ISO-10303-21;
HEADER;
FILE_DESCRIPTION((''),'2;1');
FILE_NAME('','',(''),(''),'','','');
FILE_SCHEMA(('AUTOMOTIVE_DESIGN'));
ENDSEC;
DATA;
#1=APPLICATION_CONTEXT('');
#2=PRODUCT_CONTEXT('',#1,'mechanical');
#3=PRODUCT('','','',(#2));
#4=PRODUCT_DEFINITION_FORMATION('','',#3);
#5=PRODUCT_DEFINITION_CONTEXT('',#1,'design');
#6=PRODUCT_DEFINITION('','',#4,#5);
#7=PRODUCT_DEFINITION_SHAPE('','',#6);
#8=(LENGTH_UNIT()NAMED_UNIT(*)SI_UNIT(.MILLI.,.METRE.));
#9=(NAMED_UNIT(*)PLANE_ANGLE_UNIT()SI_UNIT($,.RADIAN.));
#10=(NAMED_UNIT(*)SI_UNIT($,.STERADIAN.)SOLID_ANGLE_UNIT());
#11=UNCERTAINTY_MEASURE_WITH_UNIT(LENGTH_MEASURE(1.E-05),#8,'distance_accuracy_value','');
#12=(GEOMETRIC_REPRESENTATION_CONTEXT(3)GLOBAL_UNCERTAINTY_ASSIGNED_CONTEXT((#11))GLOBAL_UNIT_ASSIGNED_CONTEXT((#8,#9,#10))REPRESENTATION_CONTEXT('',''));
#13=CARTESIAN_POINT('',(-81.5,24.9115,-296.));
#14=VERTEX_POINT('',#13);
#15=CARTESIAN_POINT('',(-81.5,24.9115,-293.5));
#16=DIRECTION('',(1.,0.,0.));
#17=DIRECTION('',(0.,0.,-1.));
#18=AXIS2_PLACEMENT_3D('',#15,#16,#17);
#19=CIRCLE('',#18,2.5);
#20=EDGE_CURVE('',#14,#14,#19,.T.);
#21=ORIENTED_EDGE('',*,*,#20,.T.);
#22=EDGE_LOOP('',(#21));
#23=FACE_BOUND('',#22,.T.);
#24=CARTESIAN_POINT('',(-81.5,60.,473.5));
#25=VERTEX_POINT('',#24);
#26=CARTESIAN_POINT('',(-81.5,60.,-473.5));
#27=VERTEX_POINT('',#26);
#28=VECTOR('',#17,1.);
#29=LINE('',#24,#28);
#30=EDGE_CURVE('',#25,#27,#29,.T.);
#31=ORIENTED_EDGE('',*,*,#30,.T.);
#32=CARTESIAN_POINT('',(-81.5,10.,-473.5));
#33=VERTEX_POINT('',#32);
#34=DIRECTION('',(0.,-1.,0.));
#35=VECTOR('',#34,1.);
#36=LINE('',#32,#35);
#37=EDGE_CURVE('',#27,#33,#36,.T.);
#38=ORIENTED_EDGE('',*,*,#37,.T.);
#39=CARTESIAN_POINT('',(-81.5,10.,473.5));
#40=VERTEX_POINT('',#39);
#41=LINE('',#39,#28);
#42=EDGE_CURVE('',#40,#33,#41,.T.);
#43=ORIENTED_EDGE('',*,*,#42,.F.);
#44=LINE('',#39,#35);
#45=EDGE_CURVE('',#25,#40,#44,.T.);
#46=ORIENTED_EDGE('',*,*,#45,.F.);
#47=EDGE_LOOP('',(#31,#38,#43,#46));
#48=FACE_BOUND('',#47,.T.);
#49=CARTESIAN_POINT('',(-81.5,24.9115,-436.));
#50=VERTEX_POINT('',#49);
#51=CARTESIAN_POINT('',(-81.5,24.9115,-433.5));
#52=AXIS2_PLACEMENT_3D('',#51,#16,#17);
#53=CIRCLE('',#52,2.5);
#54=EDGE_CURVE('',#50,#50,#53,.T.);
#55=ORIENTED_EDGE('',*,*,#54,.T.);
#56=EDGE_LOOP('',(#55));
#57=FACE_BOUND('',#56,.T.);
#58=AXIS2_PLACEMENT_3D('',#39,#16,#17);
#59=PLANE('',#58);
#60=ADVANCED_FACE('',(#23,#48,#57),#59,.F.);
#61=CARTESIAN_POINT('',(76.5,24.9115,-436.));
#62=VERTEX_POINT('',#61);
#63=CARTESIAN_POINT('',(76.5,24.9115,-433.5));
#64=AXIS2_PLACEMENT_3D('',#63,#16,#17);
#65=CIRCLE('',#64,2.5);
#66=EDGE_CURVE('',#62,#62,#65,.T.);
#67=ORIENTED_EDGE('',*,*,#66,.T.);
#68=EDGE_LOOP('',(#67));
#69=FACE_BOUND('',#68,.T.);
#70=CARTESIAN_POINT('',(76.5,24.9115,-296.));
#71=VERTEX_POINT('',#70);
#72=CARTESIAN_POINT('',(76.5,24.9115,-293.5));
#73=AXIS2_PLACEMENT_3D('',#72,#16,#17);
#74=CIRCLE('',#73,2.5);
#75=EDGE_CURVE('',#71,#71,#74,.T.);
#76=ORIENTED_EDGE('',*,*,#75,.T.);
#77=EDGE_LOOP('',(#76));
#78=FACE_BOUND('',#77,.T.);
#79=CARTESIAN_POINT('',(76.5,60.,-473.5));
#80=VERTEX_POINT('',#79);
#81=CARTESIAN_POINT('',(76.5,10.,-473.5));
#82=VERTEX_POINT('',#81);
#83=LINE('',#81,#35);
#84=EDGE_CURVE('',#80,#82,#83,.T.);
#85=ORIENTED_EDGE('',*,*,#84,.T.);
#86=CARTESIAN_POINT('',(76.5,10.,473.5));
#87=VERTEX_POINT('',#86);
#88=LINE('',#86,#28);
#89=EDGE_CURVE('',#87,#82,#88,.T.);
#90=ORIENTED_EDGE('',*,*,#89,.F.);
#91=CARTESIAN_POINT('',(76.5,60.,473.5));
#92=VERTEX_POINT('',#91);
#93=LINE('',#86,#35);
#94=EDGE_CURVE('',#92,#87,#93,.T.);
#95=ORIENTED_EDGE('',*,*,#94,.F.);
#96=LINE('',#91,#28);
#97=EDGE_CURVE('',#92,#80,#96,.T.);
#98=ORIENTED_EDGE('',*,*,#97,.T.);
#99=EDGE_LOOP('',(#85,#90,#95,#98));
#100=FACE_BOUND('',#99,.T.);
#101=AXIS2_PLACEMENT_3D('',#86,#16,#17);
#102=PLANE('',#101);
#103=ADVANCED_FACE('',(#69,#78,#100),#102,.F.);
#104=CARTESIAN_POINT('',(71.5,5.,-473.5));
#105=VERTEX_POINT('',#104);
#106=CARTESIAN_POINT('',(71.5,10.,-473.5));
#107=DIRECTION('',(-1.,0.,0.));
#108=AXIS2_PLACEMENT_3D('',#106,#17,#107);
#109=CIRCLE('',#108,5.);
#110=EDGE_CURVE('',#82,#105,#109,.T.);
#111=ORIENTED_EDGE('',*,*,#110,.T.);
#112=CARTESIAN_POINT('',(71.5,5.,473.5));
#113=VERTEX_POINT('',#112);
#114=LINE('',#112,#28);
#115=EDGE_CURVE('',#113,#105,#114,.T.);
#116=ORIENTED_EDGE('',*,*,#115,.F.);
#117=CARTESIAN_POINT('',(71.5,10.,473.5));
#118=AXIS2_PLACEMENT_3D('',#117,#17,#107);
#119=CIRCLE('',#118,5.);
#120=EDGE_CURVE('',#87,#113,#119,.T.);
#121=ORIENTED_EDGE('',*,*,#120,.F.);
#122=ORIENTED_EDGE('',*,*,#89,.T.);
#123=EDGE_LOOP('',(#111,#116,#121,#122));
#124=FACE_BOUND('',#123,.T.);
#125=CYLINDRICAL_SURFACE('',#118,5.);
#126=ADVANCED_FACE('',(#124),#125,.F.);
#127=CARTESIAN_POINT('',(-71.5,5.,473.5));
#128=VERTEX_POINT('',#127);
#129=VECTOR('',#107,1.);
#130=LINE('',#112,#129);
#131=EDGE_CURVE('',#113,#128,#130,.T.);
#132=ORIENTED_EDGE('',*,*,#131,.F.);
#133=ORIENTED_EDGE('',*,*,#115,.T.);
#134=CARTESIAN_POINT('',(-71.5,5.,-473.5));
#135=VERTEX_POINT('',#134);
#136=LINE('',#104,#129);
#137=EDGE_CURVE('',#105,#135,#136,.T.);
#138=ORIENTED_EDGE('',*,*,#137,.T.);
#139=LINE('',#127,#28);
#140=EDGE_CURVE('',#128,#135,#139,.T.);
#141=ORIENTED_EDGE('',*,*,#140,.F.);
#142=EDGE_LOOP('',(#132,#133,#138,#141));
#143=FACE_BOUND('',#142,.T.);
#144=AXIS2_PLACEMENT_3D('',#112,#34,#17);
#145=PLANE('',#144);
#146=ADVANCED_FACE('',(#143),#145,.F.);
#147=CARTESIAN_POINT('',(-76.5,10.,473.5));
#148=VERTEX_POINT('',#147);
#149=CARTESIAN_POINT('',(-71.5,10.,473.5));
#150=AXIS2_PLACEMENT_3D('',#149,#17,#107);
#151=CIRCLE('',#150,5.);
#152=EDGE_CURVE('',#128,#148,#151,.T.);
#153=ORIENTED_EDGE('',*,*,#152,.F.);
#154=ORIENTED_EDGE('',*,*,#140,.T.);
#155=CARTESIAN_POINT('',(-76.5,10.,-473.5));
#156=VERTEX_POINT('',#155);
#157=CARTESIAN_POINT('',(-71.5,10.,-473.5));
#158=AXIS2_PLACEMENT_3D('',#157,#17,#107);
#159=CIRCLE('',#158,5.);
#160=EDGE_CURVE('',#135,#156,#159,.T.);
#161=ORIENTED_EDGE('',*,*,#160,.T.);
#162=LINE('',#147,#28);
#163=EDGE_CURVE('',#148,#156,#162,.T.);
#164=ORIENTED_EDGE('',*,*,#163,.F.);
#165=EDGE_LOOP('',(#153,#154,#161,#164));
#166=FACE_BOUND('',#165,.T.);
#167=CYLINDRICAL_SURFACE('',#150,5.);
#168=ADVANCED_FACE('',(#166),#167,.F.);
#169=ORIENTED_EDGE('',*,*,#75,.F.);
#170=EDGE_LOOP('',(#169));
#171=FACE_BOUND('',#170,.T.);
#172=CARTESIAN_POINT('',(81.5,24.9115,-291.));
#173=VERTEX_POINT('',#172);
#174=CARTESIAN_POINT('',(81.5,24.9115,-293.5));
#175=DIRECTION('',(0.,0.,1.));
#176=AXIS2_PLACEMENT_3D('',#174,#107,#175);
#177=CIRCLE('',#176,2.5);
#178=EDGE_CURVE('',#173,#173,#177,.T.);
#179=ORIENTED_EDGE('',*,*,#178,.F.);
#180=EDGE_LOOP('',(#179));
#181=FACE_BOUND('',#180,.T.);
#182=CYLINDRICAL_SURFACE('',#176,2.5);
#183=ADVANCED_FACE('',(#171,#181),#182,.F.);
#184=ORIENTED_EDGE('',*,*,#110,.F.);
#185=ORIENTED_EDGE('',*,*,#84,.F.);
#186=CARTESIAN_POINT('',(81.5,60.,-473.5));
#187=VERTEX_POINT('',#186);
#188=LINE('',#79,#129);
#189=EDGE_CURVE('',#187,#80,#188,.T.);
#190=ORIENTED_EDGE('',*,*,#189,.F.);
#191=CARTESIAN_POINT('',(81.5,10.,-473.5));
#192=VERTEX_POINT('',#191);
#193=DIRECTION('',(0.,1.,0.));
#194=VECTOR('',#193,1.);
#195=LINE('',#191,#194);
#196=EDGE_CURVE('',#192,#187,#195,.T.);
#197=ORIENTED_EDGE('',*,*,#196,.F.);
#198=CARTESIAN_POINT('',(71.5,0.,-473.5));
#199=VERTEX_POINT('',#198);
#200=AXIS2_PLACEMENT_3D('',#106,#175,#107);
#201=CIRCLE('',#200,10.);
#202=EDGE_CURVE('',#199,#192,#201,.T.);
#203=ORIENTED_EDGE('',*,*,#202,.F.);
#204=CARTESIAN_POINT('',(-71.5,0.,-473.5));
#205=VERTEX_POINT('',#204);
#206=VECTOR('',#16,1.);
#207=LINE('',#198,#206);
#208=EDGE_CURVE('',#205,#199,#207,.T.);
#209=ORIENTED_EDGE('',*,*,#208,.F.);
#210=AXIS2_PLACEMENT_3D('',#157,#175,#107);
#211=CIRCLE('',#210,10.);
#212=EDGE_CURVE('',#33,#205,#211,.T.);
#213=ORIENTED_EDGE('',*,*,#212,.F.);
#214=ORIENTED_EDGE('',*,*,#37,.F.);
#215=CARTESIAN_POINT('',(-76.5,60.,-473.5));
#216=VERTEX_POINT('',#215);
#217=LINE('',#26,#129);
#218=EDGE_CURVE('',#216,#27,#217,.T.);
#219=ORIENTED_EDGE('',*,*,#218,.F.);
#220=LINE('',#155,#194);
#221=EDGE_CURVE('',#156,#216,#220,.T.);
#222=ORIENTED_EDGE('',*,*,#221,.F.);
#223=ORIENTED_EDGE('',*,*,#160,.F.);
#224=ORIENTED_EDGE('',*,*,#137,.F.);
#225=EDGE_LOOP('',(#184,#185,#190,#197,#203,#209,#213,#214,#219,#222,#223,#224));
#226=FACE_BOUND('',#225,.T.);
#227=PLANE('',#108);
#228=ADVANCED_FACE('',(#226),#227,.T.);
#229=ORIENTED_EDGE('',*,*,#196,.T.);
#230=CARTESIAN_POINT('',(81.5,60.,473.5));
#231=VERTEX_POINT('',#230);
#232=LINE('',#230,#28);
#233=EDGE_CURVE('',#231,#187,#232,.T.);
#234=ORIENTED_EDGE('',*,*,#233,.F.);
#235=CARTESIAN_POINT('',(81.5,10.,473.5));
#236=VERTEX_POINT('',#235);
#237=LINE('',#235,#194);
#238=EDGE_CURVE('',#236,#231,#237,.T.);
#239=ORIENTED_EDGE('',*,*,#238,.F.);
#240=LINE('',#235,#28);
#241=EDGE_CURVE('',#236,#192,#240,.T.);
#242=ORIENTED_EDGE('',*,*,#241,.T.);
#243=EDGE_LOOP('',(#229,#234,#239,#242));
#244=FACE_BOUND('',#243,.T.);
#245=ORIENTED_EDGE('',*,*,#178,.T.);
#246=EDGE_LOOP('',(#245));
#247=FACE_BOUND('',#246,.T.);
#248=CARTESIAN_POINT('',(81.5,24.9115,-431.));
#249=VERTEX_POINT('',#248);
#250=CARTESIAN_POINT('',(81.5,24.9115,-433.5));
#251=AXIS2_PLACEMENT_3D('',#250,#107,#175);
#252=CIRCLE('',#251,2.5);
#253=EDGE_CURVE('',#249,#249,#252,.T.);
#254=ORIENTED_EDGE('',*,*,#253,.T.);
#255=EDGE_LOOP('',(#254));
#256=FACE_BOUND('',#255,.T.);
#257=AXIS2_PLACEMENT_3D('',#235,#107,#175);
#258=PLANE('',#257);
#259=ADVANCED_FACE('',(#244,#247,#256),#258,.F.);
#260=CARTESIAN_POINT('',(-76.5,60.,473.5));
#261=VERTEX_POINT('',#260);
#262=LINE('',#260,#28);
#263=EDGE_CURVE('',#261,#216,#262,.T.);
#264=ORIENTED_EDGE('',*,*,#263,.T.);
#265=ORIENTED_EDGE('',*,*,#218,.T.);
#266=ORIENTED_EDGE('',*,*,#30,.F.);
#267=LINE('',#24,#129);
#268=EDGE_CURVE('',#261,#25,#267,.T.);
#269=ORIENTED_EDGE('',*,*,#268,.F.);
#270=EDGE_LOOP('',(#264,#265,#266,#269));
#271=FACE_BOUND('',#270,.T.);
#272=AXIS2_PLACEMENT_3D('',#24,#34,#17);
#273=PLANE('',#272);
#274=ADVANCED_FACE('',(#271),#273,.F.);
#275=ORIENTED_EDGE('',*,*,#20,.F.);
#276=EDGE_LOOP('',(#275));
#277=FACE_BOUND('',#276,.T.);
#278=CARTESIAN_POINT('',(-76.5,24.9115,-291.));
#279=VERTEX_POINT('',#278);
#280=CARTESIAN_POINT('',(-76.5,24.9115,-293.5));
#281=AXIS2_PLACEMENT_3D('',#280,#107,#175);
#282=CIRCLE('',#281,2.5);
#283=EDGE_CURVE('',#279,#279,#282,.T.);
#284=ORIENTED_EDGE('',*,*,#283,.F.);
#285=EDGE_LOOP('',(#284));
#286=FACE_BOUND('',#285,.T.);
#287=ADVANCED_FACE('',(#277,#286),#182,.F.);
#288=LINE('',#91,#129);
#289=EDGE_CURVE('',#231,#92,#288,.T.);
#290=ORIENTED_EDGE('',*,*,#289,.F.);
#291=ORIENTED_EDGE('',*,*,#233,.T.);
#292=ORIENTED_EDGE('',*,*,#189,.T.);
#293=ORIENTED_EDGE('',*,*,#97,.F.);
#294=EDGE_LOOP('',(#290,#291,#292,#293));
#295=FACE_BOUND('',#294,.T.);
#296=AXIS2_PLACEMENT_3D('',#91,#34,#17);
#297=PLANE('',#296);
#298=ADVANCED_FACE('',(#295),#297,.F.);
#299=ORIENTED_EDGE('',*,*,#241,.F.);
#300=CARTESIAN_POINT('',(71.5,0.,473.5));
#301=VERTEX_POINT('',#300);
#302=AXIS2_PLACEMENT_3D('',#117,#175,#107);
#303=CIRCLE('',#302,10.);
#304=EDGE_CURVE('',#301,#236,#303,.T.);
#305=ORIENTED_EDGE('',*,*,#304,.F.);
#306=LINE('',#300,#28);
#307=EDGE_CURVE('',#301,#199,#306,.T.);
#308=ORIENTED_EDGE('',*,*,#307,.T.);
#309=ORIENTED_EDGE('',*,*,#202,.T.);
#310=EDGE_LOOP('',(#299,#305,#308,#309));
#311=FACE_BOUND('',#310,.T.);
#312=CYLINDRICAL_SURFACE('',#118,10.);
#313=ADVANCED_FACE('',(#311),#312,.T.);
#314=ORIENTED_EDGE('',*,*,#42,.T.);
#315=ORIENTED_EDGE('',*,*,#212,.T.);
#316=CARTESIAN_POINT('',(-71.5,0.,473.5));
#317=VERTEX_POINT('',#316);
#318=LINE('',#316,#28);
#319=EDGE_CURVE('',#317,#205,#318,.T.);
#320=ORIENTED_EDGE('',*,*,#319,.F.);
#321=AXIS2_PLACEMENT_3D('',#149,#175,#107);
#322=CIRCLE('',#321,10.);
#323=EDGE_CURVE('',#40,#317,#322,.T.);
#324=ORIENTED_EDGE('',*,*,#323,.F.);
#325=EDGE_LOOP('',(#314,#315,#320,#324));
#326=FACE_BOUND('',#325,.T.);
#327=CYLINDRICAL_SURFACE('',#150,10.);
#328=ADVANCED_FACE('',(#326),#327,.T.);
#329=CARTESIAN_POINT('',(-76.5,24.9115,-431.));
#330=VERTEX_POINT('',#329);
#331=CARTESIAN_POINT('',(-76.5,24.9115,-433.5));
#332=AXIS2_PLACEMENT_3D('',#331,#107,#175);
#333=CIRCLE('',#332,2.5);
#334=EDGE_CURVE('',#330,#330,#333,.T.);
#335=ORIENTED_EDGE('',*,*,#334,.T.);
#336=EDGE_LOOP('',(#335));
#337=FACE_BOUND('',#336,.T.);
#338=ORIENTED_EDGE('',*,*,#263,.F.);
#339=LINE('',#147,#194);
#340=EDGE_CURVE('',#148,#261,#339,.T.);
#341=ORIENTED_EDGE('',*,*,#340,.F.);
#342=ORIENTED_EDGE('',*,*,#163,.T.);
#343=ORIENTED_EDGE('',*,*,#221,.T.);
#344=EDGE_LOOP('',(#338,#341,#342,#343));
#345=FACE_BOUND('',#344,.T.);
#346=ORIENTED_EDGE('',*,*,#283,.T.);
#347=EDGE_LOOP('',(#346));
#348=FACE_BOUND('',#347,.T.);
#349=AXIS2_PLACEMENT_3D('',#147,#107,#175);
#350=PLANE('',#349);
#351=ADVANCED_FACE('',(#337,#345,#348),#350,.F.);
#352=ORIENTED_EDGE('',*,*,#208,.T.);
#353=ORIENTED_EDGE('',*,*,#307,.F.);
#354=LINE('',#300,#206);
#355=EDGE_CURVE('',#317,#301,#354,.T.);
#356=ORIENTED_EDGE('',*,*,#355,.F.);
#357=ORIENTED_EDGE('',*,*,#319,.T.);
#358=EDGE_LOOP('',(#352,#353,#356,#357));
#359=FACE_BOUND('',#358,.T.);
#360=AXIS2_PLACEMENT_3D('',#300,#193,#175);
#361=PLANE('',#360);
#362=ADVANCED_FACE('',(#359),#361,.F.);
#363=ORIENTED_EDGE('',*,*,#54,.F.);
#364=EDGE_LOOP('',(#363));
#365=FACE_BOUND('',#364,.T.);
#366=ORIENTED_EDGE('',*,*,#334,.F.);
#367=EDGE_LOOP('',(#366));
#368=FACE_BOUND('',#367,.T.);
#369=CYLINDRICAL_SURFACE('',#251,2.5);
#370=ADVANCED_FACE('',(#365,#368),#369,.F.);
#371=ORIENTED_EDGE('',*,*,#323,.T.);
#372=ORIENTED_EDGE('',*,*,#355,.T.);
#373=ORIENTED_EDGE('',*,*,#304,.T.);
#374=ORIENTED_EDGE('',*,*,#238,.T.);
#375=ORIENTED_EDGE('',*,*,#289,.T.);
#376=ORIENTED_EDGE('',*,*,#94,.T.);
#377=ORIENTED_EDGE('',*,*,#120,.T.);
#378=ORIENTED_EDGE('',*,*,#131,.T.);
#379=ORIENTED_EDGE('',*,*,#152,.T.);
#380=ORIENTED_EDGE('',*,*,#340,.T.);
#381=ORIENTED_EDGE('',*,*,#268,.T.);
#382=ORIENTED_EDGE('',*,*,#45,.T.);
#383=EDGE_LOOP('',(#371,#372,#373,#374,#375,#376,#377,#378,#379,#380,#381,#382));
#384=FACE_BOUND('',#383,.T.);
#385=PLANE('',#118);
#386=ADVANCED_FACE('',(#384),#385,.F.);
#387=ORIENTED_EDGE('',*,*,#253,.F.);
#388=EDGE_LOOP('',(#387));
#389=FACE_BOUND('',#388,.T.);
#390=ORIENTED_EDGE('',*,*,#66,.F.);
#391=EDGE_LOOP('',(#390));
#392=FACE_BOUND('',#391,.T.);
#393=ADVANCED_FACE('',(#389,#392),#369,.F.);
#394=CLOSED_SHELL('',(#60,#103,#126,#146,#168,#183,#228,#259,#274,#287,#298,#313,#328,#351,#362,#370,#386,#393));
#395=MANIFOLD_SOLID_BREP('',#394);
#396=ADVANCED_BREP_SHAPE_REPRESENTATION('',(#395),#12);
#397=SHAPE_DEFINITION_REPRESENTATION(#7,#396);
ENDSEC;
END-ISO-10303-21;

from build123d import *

# Parameters (mm, degrees)
EXTRUDE_1_DEPTH          = 473.5
CUT_EXTRUDE_1_DEPTH      = 505.35230742
CUT_EXTRUDE_1_DEPTH_BACK = 505.35230742
SKETCH_2_R               = 2.5


with BuildPart() as part:
    # Эскиз1 → Бобышка-Вытянуть1 (new, symmetric)
    with BuildSketch(Plane.XY):
        with BuildLine():
            Line((71.5, 0), (-71.5, 0))
            ThreePointArc((-71.5, 0), (-78.571067812, 2.928932188), (-81.5, 10))
            Line((-81.5, 10), (-81.5, 60))
            Line((-81.5, 60), (-76.5, 60))
            Line((-76.5, 60), (-76.5, 10))
            ThreePointArc((-76.5, 10), (-75.035533906, 6.464466094), (-71.5, 5))
            Line((-71.5, 5), (71.5, 5))
            ThreePointArc((71.5, 5), (75.035533906, 6.464466094), (76.5, 10))
            Line((76.5, 10), (76.5, 60))
            Line((76.5, 60), (81.5, 60))
            Line((81.5, 60), (81.5, 10))
            ThreePointArc((81.5, 10), (78.571067812, 2.928932188), (71.5, 0))
        make_face()
    extrude(amount=EXTRUDE_1_DEPTH, both=True)

    # Эскиз2 → Вырез-Вытянуть1 (cut, two sides: drawn at the far end of the back side and taken through both)
    with BuildSketch(Plane.ZY.offset(81.5).offset(-CUT_EXTRUDE_1_DEPTH_BACK)):
        with Locations((-433.5, 24.9115)):
            Circle(SKETCH_2_R)
        with Locations((-293.5, 24.9115)):
            Circle(SKETCH_2_R)
    extrude(amount=CUT_EXTRUDE_1_DEPTH + CUT_EXTRUDE_1_DEPTH_BACK, mode=Mode.SUBTRACT)


solid = part.part
